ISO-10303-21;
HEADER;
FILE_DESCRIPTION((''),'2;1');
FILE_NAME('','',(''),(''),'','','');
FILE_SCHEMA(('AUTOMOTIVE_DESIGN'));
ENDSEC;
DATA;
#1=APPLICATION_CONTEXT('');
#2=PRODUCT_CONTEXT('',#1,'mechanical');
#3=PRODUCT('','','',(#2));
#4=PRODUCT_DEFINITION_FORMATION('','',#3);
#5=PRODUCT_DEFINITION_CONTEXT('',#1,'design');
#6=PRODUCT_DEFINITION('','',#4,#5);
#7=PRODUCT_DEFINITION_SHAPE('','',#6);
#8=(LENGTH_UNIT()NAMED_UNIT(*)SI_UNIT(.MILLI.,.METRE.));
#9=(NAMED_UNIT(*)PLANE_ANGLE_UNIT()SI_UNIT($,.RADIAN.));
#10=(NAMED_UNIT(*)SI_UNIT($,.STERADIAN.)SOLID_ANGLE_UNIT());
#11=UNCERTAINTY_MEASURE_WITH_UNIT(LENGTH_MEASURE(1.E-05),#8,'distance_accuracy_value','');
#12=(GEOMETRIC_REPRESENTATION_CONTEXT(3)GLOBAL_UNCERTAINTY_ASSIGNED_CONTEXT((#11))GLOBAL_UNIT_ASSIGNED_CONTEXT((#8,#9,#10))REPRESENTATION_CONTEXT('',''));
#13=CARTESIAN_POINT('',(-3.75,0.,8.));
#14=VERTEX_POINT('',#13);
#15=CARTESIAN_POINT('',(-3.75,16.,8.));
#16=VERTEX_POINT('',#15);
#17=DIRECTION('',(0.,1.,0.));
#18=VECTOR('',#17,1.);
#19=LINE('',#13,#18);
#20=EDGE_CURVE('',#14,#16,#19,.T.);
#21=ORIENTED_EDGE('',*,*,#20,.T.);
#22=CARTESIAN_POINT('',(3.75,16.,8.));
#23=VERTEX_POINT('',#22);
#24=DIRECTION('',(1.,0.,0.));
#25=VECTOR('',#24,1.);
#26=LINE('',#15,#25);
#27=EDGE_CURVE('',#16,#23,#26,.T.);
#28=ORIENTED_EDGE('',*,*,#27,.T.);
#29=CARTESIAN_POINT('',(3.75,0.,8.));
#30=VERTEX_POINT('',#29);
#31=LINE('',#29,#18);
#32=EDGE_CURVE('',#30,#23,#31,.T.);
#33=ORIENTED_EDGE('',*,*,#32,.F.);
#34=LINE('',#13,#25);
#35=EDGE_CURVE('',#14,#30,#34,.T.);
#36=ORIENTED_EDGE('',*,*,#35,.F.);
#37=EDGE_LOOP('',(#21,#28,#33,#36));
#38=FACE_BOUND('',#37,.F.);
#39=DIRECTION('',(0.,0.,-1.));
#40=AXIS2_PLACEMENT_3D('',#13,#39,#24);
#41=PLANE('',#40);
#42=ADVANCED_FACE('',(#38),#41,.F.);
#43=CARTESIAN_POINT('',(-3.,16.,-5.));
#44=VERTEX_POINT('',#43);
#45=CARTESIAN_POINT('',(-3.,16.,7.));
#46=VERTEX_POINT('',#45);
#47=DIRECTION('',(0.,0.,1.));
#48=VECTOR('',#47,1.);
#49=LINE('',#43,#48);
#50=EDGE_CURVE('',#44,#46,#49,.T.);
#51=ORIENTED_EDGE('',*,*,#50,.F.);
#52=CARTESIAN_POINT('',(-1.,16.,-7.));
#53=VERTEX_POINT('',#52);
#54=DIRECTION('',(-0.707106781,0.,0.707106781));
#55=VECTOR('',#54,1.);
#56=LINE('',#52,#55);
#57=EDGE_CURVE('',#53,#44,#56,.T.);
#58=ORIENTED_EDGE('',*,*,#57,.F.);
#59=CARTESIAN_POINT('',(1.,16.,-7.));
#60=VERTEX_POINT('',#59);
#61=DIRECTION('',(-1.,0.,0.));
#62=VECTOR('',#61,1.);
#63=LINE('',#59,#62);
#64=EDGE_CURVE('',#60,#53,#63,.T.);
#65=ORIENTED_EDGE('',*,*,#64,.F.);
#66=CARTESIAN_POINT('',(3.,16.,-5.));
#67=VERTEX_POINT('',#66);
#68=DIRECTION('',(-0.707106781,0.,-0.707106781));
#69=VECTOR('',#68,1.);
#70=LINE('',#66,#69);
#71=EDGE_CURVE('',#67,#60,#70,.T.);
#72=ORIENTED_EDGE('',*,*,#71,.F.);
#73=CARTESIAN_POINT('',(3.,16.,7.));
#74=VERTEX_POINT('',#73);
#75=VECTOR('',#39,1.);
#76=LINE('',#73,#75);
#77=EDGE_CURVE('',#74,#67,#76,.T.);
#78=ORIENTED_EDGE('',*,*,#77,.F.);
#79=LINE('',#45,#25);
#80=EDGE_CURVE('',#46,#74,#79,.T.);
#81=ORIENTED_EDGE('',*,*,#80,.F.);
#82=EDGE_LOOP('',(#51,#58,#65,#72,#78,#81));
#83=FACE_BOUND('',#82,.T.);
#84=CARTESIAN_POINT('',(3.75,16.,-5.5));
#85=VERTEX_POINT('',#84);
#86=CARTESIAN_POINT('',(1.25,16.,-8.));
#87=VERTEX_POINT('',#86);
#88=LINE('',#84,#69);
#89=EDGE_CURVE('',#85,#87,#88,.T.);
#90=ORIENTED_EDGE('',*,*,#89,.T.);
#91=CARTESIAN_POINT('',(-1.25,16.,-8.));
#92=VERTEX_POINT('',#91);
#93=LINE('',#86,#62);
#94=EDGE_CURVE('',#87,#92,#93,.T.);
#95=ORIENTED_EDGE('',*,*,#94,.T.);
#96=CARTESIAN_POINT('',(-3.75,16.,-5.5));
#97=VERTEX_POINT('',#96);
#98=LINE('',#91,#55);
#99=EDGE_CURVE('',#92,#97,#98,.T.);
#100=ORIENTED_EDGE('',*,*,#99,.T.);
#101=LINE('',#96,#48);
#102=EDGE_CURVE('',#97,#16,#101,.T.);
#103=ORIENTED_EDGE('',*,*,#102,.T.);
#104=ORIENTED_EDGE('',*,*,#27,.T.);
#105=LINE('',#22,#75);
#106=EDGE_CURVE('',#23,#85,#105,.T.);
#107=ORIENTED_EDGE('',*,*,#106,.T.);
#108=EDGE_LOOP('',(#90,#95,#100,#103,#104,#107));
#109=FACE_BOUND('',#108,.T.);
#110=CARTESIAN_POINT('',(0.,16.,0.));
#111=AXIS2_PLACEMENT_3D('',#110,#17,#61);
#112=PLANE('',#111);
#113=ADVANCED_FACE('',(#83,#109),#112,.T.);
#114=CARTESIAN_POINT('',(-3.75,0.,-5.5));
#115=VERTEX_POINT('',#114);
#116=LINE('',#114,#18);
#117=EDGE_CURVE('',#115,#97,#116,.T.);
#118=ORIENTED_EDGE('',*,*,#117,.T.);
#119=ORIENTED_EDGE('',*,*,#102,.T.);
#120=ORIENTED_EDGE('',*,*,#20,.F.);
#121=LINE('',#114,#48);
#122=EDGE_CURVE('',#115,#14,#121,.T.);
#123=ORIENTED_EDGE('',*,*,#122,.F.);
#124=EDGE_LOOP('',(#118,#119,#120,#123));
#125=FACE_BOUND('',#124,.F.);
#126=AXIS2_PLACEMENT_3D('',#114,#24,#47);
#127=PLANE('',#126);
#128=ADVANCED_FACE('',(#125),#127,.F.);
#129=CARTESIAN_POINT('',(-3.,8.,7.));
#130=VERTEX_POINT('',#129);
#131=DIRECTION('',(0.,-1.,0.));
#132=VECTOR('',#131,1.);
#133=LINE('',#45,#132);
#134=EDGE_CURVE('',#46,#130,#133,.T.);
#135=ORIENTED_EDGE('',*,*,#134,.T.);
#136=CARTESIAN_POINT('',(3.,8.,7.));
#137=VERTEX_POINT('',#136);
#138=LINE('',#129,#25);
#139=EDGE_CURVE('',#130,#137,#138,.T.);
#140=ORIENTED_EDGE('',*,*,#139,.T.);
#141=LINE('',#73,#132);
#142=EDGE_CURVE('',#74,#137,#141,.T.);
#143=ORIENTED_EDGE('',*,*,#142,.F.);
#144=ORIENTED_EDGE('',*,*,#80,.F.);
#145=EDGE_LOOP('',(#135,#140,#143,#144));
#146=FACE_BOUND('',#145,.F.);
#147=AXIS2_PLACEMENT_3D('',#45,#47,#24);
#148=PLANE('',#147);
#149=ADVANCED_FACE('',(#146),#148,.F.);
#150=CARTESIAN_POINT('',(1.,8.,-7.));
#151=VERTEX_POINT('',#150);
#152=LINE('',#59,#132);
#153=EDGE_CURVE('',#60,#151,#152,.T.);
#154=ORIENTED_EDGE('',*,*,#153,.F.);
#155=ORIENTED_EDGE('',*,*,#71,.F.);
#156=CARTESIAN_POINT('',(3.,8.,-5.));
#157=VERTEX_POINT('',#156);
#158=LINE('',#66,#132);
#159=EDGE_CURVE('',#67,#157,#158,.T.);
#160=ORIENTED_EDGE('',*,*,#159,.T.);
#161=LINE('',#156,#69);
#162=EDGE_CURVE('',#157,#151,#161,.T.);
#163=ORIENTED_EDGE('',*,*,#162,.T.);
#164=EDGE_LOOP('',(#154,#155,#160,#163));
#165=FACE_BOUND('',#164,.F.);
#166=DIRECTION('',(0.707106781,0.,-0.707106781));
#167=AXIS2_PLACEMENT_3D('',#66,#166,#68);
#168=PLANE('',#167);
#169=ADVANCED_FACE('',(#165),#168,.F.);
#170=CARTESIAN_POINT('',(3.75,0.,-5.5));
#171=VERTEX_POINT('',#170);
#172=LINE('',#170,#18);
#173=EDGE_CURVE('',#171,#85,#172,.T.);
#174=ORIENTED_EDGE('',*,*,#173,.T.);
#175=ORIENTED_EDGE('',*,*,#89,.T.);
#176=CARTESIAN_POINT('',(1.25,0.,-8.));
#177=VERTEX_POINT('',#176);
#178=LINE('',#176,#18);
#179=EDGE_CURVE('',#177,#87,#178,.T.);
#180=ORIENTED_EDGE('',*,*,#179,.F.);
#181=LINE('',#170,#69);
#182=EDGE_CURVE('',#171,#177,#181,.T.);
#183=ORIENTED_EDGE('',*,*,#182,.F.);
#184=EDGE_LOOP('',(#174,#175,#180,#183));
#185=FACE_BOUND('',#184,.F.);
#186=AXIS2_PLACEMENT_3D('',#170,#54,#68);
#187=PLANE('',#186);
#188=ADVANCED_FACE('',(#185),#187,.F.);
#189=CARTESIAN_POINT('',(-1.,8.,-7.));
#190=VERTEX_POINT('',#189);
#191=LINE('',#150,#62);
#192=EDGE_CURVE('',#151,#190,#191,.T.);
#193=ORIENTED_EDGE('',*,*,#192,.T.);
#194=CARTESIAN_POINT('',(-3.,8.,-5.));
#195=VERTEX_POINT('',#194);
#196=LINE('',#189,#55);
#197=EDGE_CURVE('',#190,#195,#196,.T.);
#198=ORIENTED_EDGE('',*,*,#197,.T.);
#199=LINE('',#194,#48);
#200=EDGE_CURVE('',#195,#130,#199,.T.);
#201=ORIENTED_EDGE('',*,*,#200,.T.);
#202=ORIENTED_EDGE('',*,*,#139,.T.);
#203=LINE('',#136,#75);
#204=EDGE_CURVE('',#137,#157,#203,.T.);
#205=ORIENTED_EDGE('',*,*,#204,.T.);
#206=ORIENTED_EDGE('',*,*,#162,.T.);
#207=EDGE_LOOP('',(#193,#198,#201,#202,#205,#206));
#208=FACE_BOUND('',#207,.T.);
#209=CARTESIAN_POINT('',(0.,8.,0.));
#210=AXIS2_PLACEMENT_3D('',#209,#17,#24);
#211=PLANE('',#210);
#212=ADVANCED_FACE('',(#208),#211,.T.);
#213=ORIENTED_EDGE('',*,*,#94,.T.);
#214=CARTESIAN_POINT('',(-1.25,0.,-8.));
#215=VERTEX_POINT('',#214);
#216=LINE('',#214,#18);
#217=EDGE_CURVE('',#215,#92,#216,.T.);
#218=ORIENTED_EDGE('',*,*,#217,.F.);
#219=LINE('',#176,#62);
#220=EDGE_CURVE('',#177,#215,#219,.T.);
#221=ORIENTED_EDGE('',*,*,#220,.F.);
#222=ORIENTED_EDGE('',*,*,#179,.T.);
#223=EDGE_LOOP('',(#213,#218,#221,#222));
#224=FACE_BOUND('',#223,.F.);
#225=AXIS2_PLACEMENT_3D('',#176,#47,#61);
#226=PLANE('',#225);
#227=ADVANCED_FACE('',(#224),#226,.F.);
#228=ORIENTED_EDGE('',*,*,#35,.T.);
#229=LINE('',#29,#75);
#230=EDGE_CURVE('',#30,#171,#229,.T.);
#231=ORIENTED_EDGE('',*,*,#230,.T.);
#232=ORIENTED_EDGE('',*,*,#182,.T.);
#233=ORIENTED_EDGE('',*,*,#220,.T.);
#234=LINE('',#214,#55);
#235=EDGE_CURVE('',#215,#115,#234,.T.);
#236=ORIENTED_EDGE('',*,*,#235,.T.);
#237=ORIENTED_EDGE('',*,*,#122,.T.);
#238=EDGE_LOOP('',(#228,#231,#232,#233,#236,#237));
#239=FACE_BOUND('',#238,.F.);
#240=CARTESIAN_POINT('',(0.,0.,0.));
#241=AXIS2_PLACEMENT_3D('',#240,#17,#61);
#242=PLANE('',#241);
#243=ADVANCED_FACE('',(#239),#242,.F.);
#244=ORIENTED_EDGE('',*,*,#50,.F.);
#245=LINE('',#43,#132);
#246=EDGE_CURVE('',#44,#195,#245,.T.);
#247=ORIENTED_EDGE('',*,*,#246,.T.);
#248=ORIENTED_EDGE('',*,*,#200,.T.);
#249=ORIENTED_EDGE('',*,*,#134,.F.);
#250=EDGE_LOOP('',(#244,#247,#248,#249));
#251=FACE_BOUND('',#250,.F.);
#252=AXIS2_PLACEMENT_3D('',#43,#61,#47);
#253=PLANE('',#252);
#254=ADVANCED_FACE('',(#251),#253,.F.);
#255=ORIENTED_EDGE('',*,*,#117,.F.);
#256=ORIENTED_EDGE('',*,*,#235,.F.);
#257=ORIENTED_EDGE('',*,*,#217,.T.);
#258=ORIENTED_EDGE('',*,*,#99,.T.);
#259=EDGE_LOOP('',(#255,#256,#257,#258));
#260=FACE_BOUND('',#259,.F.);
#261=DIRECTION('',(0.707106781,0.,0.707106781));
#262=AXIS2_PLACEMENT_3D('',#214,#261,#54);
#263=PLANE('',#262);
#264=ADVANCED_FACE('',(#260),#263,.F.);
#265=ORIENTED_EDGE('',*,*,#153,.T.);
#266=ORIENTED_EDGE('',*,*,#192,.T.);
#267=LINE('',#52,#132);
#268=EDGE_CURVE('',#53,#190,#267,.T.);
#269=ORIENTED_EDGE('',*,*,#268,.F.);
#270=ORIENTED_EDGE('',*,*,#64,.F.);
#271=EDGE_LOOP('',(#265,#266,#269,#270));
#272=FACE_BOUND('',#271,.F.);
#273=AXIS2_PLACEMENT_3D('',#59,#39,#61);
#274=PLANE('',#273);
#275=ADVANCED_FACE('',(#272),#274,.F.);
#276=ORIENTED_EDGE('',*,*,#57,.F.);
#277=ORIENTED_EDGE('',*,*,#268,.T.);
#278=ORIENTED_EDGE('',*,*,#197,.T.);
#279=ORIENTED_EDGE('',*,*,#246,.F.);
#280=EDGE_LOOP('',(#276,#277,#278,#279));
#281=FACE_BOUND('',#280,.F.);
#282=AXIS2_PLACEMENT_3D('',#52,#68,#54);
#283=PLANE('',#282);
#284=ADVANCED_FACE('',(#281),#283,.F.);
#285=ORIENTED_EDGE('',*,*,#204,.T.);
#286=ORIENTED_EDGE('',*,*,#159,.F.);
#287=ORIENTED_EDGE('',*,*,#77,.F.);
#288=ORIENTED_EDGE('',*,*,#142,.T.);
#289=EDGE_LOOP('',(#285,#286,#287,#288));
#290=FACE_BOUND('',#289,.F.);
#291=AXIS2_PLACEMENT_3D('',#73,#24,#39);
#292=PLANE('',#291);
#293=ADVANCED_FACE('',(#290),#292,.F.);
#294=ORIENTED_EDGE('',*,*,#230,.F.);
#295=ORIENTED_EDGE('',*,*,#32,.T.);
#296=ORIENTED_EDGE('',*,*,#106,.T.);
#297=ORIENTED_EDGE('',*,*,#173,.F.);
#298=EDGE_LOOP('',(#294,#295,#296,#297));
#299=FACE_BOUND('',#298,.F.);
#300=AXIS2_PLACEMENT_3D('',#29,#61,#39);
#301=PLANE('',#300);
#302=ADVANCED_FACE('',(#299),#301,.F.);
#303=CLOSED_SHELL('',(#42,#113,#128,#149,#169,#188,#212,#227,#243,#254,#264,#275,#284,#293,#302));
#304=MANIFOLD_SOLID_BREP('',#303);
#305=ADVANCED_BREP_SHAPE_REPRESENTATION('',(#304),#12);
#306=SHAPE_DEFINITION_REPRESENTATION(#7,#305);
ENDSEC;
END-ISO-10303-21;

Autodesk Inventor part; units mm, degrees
ref_plane "YZ Plane" through (0, 0, 0) normal (1, 0, 0) x (0, 1, 0)
ref_plane "XZ Plane" through (0, 0, 0) normal (0, 1, 0) x (-1, 0, 0)
ref_plane "XY Plane" through (0, 0, 0) normal (0, 0, 1) x (1, 0, 0)
sketch "Sketch1" plane through (0, 0, 0) normal (0, 1, 0) x (-1, 0, 0)
  line L0 (3.75, 8) -> (-3.75, 8)
  line L1 (-3.75, 8) -> (-3.75, -5.5)
  line L2 (-3.75, -5.5) -> (-1.25, -8)
  line L3 (-1.25, -8) -> (1.25, -8)
  line L4 (1.25, -8) -> (3.75, -5.5)
  line L5 (3.75, -5.5) -> (3.75, 8)
  point P0 (0, 0)
  dimension "d0" = 7.5
  dimension "d1" = 3.75
  dimension "d2" = 16
  dimension "d3" = 8
  dimension "d4" = 2.5
  dimension "d5" = 135
  dimension "d6" = 135
extrude "Extrusion1" add sketch "Sketch1" along normal blind 16
sketch "Sketch2" plane through (0, 16, 0) normal (0, 1, 0) x (1, 0, 0)
  line L0 (-3, -7) -> (3, -7)
  line L1 (3, -7) -> (3, 5)
  line L2 (3, 5) -> (1, 7)
  line L3 (1, 7) -> (-1, 7)
  line L4 (-1, 7) -> (-3, 5)
  line L5 (-3, 5) -> (-3, -7)
  line L6 (-3.75, 5.5) -> (-3.75, -8) projected
  line L7 (-1.25, 8) -> (-3.75, 5.5) projected
  line L8 (1.25, 8) -> (-1.25, 8) projected
  line L9 (3.75, 5.5) -> (1.25, 8) projected
  point P0 (0, 0)
  dimension "d9" = 14
  dimension "d10" = 2
  dimension "d11" = 7
  dimension "d12" = 6
  dimension "d13" = 3
extrude "Extrusion2" cut sketch "Sketch2" against normal blind 8
properties part number "TX60"
